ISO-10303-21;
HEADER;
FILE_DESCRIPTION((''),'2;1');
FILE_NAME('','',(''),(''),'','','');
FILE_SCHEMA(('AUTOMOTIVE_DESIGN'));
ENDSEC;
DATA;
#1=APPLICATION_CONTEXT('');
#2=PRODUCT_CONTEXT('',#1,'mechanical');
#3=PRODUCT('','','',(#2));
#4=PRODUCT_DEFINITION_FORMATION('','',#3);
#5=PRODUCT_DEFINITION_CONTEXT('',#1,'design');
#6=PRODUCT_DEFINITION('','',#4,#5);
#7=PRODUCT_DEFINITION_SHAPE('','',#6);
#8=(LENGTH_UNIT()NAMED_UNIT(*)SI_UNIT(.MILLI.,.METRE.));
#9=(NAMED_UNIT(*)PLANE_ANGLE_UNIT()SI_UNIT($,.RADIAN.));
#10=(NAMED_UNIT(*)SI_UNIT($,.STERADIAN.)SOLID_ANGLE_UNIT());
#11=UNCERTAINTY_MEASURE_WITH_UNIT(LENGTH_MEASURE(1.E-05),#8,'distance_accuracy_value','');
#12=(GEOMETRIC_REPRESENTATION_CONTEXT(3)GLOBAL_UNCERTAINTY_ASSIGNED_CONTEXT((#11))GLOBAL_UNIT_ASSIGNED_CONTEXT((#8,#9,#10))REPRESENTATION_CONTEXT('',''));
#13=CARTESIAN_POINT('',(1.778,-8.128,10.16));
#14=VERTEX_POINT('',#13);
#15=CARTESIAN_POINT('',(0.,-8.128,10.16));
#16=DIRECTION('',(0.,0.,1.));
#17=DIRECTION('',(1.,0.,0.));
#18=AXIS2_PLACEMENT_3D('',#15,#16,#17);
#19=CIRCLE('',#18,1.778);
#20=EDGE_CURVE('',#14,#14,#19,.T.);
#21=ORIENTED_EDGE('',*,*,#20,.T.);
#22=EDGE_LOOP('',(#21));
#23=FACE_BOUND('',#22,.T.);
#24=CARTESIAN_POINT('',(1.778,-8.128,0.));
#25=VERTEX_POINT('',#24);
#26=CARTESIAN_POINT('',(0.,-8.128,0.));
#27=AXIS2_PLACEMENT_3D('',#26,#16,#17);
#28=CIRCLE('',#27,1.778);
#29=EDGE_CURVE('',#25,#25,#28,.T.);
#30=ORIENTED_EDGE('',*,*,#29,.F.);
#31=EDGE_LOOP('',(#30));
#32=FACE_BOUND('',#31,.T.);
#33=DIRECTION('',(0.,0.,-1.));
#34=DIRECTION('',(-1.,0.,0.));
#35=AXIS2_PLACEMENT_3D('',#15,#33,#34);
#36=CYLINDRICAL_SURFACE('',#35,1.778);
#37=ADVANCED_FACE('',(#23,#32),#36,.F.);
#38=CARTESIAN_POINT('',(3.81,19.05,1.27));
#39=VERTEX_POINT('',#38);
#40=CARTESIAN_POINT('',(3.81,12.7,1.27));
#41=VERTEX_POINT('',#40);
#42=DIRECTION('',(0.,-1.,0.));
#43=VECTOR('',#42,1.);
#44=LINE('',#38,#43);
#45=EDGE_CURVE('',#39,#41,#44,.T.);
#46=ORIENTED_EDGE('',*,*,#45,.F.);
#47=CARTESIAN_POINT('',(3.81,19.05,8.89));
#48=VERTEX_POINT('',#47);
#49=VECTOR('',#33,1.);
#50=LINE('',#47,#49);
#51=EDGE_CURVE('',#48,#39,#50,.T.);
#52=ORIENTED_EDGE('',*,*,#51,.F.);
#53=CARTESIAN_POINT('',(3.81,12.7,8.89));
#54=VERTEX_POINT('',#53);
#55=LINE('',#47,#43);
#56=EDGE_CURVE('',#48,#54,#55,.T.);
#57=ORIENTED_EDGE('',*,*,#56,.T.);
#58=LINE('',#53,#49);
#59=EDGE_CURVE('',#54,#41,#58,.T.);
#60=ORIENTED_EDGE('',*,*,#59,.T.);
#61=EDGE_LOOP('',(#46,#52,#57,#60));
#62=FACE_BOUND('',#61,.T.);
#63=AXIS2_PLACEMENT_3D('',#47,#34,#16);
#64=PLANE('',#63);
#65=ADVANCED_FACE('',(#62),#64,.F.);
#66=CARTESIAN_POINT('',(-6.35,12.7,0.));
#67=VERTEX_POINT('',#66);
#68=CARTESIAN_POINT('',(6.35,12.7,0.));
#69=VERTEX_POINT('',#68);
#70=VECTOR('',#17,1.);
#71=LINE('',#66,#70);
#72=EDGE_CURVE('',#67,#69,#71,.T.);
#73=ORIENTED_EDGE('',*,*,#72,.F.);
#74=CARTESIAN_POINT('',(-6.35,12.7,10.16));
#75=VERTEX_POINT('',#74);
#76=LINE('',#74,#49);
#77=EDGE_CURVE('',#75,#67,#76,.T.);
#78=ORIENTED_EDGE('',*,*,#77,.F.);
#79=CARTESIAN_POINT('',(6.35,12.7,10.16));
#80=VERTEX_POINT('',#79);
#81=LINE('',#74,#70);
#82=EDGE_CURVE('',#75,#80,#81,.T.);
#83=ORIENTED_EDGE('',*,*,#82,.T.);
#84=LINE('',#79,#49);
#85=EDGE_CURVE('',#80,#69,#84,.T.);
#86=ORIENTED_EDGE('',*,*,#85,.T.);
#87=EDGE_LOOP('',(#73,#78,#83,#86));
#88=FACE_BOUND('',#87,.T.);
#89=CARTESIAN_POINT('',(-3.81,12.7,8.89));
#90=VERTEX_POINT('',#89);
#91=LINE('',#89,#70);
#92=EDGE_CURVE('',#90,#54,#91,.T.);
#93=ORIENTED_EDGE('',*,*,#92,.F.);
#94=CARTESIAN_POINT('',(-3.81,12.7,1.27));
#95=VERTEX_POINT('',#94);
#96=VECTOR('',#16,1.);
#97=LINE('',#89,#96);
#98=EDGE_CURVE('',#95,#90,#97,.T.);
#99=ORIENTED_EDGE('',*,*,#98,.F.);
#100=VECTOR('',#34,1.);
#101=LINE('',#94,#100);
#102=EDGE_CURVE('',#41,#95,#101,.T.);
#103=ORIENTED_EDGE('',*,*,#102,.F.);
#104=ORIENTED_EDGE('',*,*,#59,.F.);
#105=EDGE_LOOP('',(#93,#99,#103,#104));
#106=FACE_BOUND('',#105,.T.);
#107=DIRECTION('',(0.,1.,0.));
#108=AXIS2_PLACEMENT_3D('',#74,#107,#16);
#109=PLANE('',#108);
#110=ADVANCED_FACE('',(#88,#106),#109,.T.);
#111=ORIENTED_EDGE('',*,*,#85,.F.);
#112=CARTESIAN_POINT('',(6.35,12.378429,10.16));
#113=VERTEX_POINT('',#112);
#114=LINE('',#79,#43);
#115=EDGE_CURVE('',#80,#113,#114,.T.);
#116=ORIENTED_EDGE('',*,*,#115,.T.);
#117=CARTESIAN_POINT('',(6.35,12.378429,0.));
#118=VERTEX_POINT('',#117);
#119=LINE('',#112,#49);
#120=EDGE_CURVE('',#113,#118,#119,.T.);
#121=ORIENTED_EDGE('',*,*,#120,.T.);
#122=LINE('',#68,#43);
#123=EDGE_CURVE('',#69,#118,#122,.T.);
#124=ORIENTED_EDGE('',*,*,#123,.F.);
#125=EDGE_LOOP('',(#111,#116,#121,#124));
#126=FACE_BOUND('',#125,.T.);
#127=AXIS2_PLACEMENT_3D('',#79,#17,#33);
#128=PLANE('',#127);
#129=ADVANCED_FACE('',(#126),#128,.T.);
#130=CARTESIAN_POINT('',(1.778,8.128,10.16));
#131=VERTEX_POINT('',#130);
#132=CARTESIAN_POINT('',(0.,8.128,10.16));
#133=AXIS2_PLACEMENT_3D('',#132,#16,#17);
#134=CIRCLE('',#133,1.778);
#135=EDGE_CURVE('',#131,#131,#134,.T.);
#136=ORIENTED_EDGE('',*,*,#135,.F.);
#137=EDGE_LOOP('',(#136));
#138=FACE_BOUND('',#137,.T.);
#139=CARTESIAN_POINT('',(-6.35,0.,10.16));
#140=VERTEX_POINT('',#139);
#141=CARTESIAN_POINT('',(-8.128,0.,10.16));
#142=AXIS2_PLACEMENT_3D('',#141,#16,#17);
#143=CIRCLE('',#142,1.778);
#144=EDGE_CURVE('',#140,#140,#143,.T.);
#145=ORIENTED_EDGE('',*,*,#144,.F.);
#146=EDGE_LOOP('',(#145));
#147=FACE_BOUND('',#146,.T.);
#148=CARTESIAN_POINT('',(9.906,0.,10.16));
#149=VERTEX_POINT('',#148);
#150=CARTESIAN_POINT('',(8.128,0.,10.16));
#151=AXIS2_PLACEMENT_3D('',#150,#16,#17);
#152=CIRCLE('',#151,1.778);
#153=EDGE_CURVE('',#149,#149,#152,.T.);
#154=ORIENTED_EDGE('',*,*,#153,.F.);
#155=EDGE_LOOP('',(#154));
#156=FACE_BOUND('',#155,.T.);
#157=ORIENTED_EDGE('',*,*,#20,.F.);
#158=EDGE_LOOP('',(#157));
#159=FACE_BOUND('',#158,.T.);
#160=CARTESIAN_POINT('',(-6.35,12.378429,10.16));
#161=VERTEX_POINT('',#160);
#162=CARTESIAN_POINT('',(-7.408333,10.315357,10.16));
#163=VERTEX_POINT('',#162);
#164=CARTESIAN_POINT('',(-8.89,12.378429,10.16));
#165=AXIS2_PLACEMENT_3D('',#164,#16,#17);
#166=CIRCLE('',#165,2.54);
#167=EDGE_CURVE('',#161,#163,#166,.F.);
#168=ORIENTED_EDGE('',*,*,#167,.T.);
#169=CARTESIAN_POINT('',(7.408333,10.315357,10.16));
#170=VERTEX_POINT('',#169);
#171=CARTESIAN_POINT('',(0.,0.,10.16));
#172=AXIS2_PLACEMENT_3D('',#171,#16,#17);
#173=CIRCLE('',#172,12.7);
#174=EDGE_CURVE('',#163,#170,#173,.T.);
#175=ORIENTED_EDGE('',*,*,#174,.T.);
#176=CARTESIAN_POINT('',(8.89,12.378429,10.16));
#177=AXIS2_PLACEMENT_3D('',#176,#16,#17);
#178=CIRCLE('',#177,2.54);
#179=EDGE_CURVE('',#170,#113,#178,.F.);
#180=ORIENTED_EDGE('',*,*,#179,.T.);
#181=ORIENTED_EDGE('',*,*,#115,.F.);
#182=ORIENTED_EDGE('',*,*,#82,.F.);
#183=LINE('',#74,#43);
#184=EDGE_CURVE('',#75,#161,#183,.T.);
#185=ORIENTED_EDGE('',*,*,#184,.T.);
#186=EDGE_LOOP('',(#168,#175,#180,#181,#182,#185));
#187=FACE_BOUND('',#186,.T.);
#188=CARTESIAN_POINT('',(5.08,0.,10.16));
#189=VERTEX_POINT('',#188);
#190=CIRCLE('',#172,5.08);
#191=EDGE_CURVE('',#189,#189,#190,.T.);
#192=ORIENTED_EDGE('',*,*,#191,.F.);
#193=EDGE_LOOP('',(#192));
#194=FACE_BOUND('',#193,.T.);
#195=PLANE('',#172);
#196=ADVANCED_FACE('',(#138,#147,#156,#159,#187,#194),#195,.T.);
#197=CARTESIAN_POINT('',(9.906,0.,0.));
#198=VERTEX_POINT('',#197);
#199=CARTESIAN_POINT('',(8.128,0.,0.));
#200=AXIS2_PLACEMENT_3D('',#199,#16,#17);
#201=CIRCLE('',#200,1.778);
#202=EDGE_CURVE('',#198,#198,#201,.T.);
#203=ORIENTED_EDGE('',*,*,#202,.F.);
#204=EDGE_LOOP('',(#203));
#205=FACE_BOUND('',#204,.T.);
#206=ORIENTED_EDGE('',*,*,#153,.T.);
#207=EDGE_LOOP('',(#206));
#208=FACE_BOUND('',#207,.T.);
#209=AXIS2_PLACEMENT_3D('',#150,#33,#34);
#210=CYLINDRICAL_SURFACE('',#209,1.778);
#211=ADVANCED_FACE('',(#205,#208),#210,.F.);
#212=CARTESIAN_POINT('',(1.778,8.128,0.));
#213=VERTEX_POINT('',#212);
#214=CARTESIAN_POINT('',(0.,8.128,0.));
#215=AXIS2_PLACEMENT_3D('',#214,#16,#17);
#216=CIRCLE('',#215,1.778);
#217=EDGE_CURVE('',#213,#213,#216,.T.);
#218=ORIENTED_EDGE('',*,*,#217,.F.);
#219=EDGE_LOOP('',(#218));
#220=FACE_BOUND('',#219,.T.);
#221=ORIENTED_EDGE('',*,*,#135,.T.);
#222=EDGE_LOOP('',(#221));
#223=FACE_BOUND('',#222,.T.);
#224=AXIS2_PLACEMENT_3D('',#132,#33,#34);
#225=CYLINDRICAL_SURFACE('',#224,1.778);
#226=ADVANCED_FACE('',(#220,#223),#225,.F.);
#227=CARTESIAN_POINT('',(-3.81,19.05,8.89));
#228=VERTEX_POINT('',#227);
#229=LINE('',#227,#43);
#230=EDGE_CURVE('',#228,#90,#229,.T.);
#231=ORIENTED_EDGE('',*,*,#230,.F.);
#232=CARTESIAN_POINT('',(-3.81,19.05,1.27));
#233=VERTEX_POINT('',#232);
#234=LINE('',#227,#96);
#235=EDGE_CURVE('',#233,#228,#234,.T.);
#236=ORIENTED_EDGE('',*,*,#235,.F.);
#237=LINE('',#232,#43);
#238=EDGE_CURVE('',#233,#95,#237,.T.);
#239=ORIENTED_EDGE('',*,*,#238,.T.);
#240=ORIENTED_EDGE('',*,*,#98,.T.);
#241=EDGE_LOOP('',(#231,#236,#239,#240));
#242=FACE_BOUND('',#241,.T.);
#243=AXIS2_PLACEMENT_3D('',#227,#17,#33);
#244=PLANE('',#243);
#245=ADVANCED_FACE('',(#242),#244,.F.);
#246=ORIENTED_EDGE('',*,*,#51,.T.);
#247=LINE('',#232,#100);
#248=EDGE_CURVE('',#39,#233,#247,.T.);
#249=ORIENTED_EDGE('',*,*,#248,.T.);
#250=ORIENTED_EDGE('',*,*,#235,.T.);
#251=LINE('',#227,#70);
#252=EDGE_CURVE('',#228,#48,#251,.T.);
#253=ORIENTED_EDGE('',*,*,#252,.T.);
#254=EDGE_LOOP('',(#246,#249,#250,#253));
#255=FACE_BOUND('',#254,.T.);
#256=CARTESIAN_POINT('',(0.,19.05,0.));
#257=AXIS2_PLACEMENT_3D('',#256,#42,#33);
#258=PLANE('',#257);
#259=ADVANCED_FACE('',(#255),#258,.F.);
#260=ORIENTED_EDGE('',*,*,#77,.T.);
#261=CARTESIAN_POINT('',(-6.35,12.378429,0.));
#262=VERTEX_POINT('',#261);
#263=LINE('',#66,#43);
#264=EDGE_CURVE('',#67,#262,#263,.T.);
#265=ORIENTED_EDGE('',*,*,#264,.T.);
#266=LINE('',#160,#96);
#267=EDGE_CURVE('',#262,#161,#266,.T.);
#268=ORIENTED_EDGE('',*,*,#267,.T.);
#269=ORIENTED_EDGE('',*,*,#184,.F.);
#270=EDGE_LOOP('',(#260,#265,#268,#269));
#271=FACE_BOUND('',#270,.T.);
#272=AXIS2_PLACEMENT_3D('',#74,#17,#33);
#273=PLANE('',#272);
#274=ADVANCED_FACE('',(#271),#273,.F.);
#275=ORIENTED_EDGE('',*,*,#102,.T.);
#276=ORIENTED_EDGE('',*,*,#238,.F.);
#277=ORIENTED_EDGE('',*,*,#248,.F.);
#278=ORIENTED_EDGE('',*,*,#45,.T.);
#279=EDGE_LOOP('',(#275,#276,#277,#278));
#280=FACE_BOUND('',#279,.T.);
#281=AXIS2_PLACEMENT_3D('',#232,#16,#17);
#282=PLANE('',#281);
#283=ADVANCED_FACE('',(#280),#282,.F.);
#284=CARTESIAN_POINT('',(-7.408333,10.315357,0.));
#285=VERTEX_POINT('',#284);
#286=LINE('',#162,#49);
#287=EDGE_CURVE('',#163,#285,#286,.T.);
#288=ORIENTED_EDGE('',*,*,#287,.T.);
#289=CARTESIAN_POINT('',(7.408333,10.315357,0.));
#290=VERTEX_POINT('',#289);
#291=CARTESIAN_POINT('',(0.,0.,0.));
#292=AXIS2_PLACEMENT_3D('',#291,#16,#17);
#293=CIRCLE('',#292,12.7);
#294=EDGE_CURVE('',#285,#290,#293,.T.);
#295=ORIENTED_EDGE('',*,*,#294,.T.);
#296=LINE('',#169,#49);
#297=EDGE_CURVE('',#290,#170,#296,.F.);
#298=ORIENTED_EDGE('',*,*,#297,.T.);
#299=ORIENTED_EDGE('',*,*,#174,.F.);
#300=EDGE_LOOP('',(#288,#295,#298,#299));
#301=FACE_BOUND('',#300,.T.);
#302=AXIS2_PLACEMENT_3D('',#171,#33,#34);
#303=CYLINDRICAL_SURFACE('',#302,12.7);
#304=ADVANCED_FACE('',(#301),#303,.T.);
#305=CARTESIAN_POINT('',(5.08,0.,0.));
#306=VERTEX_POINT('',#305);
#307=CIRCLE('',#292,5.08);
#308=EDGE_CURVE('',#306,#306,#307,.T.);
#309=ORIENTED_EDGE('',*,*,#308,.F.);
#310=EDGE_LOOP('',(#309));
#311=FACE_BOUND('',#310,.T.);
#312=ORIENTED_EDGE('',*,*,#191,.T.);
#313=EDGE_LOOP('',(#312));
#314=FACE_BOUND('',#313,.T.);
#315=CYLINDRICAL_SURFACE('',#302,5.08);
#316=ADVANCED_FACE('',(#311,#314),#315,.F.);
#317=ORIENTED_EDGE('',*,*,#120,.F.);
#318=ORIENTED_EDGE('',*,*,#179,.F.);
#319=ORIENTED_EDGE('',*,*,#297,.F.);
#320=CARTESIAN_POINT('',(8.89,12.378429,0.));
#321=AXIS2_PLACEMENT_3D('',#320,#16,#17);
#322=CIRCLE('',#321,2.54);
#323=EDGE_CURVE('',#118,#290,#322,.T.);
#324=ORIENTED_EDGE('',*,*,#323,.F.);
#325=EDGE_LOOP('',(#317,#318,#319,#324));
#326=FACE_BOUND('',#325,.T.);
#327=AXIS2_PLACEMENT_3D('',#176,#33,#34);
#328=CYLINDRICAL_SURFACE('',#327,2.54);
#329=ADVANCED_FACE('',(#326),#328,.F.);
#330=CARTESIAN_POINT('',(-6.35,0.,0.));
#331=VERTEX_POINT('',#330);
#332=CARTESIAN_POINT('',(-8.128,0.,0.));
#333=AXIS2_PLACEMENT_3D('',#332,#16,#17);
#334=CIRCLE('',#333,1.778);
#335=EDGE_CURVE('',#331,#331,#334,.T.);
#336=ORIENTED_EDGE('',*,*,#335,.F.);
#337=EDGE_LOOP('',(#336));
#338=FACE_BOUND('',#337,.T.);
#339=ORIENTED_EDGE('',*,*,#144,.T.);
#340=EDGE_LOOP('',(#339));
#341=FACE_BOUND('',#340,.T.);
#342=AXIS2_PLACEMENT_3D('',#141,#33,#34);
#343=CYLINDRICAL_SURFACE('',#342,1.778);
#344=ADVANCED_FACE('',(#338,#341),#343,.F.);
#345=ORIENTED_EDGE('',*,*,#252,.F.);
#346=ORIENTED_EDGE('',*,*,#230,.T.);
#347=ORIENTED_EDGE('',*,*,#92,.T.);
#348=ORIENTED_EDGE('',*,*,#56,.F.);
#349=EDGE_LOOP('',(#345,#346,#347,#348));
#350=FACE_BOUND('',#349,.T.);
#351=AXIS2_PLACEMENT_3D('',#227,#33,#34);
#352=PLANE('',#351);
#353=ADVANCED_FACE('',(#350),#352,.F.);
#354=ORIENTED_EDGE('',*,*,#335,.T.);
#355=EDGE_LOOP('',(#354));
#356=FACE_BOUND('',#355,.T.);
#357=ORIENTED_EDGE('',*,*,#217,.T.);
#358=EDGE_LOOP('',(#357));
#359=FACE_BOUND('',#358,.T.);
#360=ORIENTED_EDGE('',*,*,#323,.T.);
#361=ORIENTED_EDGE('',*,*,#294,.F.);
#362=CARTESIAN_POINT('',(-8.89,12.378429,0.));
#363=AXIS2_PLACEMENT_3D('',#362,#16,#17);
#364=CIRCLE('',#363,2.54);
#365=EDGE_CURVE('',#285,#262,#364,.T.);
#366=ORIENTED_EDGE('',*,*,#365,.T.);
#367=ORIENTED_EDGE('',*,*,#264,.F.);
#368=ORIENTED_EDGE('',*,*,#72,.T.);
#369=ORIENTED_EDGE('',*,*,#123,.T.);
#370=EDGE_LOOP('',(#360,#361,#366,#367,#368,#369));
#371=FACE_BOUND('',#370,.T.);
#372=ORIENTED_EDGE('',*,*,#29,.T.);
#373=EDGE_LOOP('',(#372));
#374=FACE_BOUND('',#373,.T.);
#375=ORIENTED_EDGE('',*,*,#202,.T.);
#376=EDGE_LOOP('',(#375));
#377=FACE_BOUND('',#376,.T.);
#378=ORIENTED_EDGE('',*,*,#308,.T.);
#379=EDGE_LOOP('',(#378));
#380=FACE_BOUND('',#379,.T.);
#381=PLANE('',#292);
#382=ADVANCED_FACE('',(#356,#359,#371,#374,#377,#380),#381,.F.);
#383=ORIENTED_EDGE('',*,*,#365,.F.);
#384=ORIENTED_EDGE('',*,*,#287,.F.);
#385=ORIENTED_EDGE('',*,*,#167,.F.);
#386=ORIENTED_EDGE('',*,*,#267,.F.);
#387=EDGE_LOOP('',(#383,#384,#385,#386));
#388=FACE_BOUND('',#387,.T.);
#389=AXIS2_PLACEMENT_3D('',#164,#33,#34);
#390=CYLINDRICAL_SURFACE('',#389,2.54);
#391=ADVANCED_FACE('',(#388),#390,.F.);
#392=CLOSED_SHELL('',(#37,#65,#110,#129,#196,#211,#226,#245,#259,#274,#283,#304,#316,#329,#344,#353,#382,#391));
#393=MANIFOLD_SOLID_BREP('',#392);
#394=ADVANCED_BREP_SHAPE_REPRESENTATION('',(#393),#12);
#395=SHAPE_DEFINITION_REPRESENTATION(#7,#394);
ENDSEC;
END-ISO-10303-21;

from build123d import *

# Parameters (mm, degrees)
SKETCH1_R           = 5.08
SKETCH1_R_2         = 1.778
BOSS_EXTRUDE1_DEPTH = 10.16
FILLET1_R           = 2.54
SKETCH2_W           = 7.62
SKETCH2_H           = 7.62
BOSS_EXTRUDE3_DEPTH = 6.35


with BuildPart() as part:
    # Sketch1 → Boss-Extrude1 (new body)
    with BuildSketch(Plane.XY):
        with BuildLine():
            Line((-6.35, 12.7), (-6.35, 10.998522628))
            ThreePointArc((-6.35, 10.998522628), (0, -12.7), (6.35, 10.998522628))
            Line((6.35, 10.998522628), (6.35, 12.7))
            Line((6.35, 12.7), (-6.35, 12.7))
        make_face()
        Circle(SKETCH1_R, mode=Mode.SUBTRACT)
        with Locations((0, 8.128)):
            Circle(SKETCH1_R_2, mode=Mode.SUBTRACT)
        with Locations((8.128, 0)):
            Circle(SKETCH1_R_2, mode=Mode.SUBTRACT)
        with Locations((0, -8.128)):
            Circle(SKETCH1_R_2, mode=Mode.SUBTRACT)
        with Locations((-8.128, 0)):
            Circle(SKETCH1_R_2, mode=Mode.SUBTRACT)
    extrude(amount=BOSS_EXTRUDE1_DEPTH)

    # Fillet1
    fillet1_edges = [part.edges().sort_by_distance(p)[0] for p in [
        (-6.35, 10.998522628, 5.08),
        (6.35, 10.998522628, 5.08),
    ]]
    fillet(fillet1_edges, radius=FILLET1_R)

    # Sketch2 → Boss-Extrude3 (add)
    with BuildSketch(Plane(origin=(0, 12.7, 0), x_dir=(1, 0, 0), z_dir=(0, 1, 0))):
        with Locations((0, -5.08)):
            Rectangle(SKETCH2_W, SKETCH2_H)
    extrude(amount=BOSS_EXTRUDE3_DEPTH)


solid = part.part
